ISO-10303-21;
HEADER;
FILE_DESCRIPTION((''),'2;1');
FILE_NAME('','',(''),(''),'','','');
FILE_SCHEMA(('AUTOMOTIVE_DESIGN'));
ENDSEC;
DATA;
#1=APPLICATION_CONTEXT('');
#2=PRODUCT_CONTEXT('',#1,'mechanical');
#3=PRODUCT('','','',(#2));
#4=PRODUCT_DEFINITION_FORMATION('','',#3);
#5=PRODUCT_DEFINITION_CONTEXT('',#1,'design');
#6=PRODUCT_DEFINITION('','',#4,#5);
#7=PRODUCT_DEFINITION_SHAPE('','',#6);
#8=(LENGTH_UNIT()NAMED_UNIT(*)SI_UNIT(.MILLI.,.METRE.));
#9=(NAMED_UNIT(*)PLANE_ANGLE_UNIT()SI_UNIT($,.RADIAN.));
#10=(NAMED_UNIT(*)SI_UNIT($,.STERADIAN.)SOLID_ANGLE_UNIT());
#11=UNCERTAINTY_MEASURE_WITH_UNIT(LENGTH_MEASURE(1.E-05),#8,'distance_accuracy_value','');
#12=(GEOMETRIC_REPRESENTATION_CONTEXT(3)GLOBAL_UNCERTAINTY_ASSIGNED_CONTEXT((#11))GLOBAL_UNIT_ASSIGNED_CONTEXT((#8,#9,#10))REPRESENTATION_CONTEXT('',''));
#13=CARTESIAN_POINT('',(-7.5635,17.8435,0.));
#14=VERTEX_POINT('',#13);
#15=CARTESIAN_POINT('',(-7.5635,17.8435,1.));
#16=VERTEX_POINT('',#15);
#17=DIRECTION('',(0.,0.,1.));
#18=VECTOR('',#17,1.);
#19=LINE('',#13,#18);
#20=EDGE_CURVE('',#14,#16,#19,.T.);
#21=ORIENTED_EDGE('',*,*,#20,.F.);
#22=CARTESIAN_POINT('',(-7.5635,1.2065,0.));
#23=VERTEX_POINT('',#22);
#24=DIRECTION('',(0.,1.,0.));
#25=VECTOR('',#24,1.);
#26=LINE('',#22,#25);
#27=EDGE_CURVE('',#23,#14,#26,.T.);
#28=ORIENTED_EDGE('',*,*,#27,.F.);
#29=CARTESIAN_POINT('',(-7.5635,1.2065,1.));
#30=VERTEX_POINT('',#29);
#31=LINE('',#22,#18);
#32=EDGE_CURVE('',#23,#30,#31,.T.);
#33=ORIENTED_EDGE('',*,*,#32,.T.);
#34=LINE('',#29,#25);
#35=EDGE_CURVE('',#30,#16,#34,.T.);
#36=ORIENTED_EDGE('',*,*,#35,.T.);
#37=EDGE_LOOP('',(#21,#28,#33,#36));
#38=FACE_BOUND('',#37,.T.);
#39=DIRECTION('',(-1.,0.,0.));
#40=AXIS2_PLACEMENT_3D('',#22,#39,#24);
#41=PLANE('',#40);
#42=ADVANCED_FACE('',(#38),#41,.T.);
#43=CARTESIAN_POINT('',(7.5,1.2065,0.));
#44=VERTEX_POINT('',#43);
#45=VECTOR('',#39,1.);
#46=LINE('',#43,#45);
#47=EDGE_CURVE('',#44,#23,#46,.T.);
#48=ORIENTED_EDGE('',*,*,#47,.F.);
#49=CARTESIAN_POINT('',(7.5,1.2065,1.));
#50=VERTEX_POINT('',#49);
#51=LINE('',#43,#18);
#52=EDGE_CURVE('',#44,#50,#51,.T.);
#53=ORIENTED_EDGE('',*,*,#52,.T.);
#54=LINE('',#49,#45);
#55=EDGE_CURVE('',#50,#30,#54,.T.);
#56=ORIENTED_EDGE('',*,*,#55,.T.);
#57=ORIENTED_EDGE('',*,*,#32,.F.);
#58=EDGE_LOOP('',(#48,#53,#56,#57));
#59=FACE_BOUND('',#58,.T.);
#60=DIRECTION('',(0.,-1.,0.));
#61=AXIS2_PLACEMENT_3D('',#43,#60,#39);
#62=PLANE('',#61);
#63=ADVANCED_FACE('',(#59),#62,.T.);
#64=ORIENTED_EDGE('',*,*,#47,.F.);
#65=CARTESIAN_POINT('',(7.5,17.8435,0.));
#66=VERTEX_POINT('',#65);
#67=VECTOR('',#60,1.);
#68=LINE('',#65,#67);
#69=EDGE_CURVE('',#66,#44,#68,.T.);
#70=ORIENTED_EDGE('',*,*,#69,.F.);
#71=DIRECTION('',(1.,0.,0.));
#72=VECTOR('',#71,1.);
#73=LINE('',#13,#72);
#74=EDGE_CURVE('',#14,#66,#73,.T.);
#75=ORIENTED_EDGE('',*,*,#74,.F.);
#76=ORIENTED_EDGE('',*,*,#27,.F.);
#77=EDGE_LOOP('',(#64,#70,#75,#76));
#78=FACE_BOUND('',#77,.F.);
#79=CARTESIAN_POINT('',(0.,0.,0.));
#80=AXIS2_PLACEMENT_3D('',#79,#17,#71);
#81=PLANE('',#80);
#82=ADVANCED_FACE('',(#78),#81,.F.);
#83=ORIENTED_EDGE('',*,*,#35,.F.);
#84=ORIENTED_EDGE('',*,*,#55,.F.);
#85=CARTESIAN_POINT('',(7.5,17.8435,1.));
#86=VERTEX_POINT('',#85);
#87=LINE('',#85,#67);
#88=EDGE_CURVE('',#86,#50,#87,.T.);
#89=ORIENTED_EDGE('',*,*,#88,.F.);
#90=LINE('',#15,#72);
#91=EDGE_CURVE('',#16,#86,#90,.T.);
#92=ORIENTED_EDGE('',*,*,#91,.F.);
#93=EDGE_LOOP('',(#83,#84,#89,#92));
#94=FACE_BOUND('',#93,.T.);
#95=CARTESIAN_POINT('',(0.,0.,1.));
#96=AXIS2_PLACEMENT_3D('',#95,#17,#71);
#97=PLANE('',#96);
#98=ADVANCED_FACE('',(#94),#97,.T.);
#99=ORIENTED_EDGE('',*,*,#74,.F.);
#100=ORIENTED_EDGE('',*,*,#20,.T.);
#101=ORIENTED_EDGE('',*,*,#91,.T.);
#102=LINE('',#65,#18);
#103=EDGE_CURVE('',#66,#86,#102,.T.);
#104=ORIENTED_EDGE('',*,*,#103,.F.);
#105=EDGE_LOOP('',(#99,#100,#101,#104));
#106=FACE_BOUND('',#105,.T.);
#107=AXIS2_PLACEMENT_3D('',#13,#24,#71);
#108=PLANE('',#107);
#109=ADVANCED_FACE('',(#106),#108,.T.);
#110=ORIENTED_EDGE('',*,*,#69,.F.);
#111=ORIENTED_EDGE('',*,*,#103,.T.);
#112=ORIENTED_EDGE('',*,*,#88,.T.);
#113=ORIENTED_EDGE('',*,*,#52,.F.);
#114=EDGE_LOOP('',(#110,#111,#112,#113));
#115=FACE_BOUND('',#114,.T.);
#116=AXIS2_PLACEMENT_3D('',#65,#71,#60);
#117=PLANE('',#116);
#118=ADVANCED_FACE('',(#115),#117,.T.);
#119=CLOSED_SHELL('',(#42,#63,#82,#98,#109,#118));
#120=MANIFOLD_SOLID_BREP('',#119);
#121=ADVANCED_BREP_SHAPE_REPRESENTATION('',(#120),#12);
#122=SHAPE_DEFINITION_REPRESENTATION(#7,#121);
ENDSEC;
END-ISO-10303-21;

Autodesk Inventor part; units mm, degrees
ref_plane "YZ Plane" through (0, 0, 0) normal (1, 0, 0) x (0, 1, 0)
ref_plane "XZ Plane" through (0, 0, 0) normal (0, 1, 0) x (-1, 0, 0)
ref_plane "XY Plane" through (0, 0, 0) normal (0, 0, 1) x (1, 0, 0)
sketch "LMZ13610, LMZ13610_30" plane through (0, 0, 0) normal (0, 0, 1) x (1, 0, 0)
  line L0 (-7.5635, 17.8435) -> (7.5, 17.8435)
  line L1 (7.5, 17.8435) -> (7.5, 1.2065)
  line L2 (7.5, 1.2065) -> (-7.5635, 1.2065)
  line L3 (-7.5635, 1.2065) -> (-7.5635, 17.8435)
extrude "Выдавливание1" add sketch "LMZ13610, LMZ13610_30" along normal blind 1
properties part number "LMZ13610"
